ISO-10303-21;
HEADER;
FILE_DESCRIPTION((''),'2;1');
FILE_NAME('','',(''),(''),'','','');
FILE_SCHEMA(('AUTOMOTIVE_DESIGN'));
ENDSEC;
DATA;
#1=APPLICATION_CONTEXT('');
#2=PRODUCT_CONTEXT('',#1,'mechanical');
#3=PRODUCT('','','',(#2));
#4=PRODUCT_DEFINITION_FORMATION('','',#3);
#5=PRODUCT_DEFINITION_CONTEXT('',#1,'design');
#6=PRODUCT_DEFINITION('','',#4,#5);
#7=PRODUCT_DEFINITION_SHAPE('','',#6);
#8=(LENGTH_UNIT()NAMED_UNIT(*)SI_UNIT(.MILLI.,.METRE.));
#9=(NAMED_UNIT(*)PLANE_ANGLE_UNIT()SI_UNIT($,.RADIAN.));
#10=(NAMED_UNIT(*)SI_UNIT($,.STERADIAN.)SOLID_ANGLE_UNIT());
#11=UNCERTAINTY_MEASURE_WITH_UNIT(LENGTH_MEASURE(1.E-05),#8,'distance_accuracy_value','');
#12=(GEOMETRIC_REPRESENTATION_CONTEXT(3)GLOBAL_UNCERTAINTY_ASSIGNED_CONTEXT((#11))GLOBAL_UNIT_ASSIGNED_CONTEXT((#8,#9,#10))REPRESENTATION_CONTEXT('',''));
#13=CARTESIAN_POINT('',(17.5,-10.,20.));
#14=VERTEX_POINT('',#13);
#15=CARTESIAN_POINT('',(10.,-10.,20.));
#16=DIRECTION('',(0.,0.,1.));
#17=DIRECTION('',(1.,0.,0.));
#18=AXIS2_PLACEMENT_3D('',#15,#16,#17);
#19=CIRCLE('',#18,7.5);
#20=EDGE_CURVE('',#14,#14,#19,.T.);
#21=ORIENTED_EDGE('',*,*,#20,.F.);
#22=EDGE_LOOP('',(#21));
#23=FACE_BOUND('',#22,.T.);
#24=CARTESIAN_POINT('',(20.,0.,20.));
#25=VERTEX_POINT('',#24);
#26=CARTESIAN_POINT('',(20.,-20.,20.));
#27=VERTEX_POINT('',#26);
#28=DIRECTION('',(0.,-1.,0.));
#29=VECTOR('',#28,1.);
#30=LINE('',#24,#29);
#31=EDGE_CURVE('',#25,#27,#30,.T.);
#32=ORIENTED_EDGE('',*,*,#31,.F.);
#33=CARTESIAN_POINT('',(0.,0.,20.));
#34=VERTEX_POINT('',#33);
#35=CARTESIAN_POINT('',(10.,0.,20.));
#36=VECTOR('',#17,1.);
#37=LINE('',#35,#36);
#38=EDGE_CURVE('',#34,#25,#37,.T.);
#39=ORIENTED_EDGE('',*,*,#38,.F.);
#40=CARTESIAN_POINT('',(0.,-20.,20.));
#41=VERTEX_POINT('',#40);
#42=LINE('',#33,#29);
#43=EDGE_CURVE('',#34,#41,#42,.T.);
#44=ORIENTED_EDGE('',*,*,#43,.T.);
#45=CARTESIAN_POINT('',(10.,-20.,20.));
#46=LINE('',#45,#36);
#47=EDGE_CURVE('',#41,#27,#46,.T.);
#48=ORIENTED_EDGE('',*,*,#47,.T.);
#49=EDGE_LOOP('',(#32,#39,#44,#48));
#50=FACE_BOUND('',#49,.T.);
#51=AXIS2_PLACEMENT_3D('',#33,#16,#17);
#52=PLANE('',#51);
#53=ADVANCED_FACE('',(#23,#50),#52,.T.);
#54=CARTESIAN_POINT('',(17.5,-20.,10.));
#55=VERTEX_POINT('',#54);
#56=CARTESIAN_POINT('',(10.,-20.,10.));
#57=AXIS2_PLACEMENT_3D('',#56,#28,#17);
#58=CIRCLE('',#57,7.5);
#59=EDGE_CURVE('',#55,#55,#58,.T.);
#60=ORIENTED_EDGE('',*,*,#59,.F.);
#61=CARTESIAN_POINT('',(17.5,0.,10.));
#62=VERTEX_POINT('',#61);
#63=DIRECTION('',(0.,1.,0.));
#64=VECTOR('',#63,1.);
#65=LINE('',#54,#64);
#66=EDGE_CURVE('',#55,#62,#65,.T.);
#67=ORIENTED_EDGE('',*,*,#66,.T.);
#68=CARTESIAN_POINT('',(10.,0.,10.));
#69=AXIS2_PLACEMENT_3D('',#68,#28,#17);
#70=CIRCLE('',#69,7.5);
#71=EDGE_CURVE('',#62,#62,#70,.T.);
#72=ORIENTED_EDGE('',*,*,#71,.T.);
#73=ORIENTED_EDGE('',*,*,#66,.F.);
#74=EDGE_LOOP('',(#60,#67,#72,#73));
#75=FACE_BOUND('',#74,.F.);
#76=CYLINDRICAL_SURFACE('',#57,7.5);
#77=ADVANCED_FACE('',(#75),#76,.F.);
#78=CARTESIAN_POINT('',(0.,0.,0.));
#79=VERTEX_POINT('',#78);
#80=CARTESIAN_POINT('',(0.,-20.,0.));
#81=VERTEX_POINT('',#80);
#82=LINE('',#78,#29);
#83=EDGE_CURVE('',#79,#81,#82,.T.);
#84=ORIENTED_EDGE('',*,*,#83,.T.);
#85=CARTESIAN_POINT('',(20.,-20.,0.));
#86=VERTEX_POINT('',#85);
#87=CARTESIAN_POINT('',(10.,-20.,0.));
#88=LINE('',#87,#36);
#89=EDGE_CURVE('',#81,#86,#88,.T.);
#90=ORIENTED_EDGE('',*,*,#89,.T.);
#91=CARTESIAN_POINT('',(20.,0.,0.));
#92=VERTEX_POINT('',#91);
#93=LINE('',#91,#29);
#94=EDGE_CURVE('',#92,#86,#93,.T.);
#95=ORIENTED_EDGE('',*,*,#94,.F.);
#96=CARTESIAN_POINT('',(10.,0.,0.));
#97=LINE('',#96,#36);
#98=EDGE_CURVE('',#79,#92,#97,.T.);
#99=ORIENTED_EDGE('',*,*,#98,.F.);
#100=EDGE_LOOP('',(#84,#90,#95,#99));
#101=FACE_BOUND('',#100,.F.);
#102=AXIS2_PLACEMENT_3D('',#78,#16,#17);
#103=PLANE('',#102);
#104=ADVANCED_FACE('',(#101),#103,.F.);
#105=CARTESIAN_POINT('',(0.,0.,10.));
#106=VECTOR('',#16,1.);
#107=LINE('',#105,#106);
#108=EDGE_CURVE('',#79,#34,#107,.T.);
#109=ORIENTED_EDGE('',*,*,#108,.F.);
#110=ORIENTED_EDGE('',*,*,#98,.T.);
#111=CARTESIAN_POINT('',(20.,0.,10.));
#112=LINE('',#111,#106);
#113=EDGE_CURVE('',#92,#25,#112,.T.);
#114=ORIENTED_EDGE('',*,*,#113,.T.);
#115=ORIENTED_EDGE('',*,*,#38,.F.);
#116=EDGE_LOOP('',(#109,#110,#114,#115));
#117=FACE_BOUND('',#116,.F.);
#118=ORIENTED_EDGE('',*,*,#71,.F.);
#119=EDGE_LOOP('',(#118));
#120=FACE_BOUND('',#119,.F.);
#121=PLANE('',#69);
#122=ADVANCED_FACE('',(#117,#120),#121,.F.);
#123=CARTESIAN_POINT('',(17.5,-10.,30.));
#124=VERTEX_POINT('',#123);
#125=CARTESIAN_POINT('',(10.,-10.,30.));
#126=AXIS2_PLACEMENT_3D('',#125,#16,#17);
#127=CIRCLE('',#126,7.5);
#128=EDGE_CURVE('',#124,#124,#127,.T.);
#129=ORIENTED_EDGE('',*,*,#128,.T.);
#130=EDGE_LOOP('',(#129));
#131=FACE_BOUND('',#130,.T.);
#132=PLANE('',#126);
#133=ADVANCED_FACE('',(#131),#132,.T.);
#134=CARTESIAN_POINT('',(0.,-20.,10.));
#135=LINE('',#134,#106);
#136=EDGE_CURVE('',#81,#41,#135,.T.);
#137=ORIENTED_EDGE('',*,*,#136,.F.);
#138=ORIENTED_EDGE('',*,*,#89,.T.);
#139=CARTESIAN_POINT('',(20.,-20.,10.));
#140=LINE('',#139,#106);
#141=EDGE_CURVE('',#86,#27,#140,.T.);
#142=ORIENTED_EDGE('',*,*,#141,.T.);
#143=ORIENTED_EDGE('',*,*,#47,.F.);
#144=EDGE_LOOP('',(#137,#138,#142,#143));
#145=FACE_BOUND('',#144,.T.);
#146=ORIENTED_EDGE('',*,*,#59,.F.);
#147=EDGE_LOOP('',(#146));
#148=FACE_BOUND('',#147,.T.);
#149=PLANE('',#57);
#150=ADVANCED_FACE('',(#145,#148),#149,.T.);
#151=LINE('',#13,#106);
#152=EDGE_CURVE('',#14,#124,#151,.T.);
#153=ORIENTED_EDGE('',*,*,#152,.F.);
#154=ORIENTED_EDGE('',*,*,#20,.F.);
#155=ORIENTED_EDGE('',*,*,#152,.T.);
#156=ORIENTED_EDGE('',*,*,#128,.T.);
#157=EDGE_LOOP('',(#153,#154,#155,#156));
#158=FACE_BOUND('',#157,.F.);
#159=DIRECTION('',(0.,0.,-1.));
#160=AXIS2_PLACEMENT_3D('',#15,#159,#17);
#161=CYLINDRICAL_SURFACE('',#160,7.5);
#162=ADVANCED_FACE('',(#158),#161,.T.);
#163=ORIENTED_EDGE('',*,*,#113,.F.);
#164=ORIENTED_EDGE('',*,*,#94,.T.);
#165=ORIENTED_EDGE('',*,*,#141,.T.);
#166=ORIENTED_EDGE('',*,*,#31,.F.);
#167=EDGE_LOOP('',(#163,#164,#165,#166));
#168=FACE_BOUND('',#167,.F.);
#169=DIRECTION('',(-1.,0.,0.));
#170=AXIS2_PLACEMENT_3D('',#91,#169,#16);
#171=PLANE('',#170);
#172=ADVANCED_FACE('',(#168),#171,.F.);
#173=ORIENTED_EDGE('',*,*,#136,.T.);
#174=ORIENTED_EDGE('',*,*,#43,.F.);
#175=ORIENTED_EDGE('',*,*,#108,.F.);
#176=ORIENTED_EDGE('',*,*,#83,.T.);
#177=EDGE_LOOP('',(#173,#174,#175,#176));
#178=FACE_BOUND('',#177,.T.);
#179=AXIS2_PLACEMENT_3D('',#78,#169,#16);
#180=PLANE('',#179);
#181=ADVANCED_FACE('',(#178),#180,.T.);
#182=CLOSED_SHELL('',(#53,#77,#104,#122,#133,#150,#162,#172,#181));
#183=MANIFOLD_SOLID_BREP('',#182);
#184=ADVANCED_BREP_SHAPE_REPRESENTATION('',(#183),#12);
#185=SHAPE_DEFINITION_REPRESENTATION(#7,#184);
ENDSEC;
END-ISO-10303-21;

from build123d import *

# Parameters (mm, degrees)
F0_W     = 20
F0_H     = 20
F1_DEPTH = 20
F2_R     = 7.5
F3_DEPTH = 10
F4_R     = 7.5
F5_DEPTH = 25


with BuildPart() as f1:
    # F0 (on Front) → F1 (new body)
    with BuildSketch(Plane.XZ):
        with Locations((10, 10)):
            Rectangle(F0_W, F0_H)
    extrude(amount=F1_DEPTH)

    # F2 (on face) → F3 (join)
    with BuildSketch(Plane.XY.offset(20)):
        with Locations((10, -10)):
            Circle(F2_R)
    extrude(amount=F3_DEPTH)

    # F4 (on face) → F5 (cut)
    with BuildSketch(Plane.XZ.offset(20)):
        with Locations((10, 10)):
            Circle(F4_R)
    extrude(amount=-F5_DEPTH, mode=Mode.SUBTRACT)


solid = f1.part
